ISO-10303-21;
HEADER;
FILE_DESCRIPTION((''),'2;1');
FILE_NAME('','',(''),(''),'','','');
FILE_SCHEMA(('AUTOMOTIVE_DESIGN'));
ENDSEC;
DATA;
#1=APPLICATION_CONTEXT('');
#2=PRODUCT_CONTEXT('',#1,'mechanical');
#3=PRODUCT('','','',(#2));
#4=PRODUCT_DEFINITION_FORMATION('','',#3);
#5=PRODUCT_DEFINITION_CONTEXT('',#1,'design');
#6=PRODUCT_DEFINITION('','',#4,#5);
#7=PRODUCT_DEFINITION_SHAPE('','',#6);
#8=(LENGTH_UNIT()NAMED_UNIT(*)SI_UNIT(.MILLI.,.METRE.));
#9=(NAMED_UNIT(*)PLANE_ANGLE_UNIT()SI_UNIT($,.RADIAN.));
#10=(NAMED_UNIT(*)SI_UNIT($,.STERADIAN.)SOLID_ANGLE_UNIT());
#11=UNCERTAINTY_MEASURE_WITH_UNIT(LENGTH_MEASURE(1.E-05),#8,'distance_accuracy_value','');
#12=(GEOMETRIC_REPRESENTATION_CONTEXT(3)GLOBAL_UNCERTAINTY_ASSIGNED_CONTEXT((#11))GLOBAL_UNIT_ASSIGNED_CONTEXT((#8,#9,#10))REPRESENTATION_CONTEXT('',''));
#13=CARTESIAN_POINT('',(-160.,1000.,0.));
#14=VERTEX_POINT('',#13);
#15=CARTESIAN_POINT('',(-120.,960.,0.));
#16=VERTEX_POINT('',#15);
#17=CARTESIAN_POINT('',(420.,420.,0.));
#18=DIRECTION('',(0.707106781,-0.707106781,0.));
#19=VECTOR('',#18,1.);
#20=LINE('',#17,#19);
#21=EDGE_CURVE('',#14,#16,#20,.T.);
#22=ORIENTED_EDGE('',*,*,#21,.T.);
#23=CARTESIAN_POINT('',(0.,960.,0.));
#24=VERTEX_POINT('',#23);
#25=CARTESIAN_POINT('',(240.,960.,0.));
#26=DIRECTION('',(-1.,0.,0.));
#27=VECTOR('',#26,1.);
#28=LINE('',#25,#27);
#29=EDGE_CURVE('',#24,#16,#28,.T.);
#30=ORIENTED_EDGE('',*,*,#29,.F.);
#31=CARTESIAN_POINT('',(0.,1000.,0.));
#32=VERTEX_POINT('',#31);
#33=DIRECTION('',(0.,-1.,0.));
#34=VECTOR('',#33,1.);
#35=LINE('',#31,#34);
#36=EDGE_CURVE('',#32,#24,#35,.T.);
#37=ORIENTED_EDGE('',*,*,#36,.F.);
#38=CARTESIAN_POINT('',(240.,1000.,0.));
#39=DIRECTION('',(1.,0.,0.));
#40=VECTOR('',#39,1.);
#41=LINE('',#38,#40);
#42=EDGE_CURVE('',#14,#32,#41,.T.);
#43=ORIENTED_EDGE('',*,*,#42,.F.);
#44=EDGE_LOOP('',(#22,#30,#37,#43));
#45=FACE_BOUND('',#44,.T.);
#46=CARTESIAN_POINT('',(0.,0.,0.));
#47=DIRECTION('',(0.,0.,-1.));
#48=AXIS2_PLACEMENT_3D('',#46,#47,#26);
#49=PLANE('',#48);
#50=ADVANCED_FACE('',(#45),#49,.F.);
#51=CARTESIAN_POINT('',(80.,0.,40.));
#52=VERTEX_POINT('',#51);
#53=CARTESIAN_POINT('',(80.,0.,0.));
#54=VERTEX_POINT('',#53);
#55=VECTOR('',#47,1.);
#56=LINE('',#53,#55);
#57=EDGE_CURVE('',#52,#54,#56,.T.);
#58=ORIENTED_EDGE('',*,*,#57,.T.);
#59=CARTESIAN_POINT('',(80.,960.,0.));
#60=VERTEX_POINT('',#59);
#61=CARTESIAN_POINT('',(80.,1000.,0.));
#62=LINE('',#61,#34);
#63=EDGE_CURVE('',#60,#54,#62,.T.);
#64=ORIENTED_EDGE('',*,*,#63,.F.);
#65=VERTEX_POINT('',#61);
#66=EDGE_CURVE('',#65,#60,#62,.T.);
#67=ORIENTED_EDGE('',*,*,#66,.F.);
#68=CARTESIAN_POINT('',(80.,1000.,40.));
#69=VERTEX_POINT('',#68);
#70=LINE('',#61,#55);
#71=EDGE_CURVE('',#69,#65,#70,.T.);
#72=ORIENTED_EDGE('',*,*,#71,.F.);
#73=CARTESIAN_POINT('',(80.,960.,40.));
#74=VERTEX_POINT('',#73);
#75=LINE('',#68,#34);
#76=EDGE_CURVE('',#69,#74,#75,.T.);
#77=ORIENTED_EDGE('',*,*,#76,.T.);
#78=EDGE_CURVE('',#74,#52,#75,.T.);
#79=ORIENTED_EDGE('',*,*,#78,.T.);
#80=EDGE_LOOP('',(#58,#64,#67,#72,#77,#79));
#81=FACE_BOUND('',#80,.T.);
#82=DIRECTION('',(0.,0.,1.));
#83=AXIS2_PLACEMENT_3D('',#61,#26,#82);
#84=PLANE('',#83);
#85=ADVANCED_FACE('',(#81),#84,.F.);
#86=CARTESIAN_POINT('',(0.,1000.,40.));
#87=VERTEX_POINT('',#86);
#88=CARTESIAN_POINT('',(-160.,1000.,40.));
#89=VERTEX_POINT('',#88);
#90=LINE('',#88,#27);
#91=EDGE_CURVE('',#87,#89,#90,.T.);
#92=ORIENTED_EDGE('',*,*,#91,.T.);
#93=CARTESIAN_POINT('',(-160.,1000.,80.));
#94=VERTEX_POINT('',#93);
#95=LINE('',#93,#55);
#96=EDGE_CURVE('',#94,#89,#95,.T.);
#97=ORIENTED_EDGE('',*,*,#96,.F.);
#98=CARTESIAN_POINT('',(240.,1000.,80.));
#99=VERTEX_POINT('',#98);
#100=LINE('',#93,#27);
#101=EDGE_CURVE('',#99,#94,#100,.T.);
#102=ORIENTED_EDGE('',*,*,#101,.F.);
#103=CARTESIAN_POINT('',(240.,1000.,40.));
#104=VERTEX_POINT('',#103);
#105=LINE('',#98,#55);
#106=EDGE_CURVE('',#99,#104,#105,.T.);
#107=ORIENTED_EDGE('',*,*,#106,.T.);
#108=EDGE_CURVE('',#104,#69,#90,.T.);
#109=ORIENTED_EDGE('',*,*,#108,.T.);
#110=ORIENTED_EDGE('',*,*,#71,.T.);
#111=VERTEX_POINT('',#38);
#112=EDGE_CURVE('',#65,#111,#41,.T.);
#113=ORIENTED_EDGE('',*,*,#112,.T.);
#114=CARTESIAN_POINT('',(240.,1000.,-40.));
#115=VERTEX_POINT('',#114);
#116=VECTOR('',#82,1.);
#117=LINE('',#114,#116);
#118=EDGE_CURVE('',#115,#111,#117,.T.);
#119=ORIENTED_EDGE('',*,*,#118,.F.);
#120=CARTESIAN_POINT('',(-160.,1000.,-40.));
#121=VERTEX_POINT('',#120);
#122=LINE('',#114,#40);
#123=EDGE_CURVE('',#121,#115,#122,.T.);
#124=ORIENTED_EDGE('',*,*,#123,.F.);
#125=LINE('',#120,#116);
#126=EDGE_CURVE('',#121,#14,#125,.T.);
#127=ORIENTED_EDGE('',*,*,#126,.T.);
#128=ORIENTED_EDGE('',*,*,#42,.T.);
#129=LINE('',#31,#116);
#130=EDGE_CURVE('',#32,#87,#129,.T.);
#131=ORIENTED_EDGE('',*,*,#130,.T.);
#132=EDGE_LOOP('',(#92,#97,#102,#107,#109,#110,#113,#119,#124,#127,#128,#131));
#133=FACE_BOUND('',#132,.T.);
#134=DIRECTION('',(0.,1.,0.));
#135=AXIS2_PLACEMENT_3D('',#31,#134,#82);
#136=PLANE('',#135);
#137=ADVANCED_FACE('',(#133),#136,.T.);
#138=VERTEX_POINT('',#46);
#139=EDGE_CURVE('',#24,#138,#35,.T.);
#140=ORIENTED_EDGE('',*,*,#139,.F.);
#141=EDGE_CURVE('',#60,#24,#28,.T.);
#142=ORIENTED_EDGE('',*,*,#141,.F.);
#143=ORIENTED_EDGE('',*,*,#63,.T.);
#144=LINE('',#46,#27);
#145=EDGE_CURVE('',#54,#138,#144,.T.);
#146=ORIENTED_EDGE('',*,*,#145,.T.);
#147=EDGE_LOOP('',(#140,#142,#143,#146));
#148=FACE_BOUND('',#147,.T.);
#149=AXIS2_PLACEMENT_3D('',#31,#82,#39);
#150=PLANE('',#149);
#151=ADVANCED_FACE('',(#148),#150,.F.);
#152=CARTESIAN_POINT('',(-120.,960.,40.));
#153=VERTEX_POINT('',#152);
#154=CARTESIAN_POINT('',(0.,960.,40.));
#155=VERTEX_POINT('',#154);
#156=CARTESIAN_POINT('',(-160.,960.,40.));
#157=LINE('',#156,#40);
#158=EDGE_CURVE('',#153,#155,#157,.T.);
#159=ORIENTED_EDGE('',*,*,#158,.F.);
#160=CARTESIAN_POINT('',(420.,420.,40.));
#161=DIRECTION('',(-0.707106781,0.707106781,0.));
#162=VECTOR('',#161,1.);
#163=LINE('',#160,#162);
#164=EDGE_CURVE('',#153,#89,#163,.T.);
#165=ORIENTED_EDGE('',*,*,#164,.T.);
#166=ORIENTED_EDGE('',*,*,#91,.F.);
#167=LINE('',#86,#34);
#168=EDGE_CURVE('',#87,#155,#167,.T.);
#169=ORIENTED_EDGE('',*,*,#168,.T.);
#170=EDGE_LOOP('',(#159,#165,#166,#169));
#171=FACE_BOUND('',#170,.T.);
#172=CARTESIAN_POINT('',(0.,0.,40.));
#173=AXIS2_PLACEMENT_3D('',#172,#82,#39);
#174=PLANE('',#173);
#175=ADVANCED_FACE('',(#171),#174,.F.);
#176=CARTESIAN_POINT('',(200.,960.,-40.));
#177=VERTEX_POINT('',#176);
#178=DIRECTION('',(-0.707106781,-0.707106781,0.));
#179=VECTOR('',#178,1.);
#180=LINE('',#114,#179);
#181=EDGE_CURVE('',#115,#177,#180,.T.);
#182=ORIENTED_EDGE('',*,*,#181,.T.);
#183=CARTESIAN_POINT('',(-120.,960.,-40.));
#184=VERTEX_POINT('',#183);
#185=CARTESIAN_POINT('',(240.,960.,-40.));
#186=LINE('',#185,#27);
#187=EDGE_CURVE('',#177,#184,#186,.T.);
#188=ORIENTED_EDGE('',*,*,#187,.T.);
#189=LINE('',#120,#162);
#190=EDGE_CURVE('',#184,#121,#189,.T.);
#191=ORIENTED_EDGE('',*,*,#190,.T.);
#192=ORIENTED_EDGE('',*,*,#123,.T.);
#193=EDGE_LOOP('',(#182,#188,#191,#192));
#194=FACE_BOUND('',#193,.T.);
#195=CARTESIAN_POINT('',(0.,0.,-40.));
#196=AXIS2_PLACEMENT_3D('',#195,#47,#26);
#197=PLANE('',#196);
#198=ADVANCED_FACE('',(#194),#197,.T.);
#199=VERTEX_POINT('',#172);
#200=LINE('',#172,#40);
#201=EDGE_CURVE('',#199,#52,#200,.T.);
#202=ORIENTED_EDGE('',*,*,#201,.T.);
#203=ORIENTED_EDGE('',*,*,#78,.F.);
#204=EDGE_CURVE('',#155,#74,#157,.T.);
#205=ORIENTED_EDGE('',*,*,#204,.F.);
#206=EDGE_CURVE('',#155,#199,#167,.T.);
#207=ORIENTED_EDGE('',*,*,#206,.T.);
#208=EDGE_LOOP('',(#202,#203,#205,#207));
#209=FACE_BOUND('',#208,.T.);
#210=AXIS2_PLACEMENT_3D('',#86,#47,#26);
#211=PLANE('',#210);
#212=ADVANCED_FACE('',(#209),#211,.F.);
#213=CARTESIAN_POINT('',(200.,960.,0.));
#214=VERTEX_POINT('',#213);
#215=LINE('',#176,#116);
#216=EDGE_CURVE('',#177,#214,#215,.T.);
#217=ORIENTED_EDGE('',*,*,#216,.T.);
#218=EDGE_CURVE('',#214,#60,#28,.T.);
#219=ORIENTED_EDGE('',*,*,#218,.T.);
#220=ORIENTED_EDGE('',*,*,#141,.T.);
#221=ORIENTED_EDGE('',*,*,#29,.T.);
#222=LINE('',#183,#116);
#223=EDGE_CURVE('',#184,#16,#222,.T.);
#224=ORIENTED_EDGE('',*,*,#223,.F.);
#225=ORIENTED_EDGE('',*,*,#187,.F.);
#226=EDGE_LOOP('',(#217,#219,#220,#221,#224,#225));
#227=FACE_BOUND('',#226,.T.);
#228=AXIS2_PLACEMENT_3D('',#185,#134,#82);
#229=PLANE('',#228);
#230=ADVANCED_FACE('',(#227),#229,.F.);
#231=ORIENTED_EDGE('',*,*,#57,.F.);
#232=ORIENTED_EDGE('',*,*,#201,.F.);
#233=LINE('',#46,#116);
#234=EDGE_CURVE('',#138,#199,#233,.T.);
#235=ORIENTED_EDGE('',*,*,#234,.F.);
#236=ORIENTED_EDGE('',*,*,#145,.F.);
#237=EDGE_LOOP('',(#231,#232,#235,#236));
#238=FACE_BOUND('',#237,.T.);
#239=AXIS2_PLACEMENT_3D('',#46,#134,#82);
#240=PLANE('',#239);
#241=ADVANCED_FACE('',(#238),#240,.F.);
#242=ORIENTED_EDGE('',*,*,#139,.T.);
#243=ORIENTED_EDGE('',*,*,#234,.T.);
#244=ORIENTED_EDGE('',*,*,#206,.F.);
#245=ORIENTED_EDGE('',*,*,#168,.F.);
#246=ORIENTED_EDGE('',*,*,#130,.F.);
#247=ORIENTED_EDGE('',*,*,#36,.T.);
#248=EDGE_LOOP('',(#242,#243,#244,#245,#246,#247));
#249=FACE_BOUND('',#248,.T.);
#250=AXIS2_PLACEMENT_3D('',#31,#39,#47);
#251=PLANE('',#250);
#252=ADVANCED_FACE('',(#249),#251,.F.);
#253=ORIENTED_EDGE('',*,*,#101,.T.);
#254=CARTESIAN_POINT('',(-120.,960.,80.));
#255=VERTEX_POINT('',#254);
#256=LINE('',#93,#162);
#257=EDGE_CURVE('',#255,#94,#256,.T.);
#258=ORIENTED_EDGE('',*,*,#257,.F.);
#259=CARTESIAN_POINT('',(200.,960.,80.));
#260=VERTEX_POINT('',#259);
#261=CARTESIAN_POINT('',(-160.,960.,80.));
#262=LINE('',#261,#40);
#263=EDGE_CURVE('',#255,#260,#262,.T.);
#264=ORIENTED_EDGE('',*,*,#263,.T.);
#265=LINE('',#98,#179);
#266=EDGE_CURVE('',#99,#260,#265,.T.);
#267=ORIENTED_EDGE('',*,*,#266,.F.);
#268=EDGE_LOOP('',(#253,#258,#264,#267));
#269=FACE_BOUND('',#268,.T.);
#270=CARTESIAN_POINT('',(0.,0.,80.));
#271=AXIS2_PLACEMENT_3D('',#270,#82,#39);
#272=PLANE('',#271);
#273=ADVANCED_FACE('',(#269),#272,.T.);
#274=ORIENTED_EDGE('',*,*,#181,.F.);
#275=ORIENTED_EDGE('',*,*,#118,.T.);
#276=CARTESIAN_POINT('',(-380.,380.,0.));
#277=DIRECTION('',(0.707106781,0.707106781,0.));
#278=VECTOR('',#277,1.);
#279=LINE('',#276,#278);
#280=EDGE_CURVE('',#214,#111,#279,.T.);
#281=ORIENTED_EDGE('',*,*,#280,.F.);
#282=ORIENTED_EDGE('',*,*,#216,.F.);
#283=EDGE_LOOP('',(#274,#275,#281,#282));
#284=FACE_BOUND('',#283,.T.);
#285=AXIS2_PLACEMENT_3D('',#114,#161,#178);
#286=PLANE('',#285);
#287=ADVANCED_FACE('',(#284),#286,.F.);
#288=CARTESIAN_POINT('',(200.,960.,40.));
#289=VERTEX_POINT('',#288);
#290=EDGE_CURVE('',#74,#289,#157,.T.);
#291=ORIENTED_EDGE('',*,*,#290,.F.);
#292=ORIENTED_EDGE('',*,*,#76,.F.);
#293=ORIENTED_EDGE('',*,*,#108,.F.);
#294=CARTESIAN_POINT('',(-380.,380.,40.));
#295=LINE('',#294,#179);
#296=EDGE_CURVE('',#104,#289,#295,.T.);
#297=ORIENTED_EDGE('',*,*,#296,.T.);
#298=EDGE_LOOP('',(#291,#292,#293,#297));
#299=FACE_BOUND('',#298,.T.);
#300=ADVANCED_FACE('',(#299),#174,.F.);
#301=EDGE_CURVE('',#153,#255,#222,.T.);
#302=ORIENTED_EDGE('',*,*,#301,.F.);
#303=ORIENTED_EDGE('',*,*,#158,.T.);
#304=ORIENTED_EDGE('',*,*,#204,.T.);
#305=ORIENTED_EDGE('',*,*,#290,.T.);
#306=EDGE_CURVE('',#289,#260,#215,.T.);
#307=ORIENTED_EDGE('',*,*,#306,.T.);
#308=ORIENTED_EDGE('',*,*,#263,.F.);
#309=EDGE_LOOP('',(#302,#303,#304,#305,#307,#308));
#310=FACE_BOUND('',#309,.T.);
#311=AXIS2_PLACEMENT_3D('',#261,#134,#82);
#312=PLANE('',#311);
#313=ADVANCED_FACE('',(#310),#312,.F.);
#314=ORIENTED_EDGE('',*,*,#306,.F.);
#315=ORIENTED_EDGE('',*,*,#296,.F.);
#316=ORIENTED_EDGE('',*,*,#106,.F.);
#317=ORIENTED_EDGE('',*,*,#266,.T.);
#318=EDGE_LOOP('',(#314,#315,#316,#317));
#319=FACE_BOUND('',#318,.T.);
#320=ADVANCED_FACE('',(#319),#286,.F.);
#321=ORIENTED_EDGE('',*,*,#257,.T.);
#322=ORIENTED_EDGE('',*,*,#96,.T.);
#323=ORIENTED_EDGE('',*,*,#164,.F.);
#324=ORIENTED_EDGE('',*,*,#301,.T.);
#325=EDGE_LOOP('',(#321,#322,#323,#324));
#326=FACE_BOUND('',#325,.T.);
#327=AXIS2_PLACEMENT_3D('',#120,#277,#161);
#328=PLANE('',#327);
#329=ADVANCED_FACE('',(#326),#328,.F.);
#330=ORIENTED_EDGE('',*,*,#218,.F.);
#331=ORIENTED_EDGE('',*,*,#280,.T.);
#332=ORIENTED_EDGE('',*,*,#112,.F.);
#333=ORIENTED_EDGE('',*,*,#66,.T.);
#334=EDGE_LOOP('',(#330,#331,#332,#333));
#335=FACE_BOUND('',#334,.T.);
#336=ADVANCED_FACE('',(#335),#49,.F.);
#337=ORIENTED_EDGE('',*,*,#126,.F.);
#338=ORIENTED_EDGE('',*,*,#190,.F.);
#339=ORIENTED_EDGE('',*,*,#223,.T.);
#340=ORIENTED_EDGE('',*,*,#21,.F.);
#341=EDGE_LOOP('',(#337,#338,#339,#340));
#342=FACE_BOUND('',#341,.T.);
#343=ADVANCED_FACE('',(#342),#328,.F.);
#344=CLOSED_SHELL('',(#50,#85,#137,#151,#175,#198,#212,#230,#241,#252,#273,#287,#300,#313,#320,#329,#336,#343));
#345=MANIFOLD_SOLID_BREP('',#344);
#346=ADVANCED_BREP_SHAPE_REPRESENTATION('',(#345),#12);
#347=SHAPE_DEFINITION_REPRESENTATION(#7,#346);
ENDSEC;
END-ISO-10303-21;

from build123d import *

# Parameters (mm, degrees)
SKETCH_1_W          = 80
SKETCH_1_H          = 40
EXTRUDE_1_DEPTH     = 1000
SKETCH_2_W          = 400
SKETCH_2_H          = 40
EXTRUDE_2_DEPTH     = 40
SKETCH_3_W          = 400
SKETCH_3_H          = 40
EXTRUDE_3_DEPTH     = 40
CUT_EXTRUDE_1_DEPTH = 121


with BuildPart() as part:
    # 草图1 → 凸台-拉伸1 (new body)
    with BuildSketch(Plane(origin=(0, 0, 0), x_dir=(1, 0, 0), z_dir=(0, 1, 0))):
        with Locations((40, -20)):
            Rectangle(SKETCH_1_W, SKETCH_1_H)
    extrude(amount=EXTRUDE_1_DEPTH)

    # 草图2 → 凸台-拉伸2 (add)
    with BuildSketch(Plane.XY.offset(40)):
        with Locations((40, 980)):
            Rectangle(SKETCH_2_W, SKETCH_2_H)
    extrude(amount=EXTRUDE_2_DEPTH)

    # 草图3 → 凸台-拉伸3 (add)
    with BuildSketch(Plane(origin=(0, 0, 0), x_dir=(-1, 0, 0), z_dir=(0, 0, -1))):
        with Locations((-40, 980)):
            Rectangle(SKETCH_3_W, SKETCH_3_H)
    extrude(amount=EXTRUDE_3_DEPTH)

    # 草图4 → 切除-拉伸1 (cut, through all)
    with BuildSketch(Plane.XY.offset(80)):
        Polygon((-160, 1000), (-120, 960), (-160, 960), align=None)
        Polygon((240, 1000), (200, 960), (240, 960), align=None)
    extrude(amount=-CUT_EXTRUDE_1_DEPTH, mode=Mode.SUBTRACT)


solid = part.part
